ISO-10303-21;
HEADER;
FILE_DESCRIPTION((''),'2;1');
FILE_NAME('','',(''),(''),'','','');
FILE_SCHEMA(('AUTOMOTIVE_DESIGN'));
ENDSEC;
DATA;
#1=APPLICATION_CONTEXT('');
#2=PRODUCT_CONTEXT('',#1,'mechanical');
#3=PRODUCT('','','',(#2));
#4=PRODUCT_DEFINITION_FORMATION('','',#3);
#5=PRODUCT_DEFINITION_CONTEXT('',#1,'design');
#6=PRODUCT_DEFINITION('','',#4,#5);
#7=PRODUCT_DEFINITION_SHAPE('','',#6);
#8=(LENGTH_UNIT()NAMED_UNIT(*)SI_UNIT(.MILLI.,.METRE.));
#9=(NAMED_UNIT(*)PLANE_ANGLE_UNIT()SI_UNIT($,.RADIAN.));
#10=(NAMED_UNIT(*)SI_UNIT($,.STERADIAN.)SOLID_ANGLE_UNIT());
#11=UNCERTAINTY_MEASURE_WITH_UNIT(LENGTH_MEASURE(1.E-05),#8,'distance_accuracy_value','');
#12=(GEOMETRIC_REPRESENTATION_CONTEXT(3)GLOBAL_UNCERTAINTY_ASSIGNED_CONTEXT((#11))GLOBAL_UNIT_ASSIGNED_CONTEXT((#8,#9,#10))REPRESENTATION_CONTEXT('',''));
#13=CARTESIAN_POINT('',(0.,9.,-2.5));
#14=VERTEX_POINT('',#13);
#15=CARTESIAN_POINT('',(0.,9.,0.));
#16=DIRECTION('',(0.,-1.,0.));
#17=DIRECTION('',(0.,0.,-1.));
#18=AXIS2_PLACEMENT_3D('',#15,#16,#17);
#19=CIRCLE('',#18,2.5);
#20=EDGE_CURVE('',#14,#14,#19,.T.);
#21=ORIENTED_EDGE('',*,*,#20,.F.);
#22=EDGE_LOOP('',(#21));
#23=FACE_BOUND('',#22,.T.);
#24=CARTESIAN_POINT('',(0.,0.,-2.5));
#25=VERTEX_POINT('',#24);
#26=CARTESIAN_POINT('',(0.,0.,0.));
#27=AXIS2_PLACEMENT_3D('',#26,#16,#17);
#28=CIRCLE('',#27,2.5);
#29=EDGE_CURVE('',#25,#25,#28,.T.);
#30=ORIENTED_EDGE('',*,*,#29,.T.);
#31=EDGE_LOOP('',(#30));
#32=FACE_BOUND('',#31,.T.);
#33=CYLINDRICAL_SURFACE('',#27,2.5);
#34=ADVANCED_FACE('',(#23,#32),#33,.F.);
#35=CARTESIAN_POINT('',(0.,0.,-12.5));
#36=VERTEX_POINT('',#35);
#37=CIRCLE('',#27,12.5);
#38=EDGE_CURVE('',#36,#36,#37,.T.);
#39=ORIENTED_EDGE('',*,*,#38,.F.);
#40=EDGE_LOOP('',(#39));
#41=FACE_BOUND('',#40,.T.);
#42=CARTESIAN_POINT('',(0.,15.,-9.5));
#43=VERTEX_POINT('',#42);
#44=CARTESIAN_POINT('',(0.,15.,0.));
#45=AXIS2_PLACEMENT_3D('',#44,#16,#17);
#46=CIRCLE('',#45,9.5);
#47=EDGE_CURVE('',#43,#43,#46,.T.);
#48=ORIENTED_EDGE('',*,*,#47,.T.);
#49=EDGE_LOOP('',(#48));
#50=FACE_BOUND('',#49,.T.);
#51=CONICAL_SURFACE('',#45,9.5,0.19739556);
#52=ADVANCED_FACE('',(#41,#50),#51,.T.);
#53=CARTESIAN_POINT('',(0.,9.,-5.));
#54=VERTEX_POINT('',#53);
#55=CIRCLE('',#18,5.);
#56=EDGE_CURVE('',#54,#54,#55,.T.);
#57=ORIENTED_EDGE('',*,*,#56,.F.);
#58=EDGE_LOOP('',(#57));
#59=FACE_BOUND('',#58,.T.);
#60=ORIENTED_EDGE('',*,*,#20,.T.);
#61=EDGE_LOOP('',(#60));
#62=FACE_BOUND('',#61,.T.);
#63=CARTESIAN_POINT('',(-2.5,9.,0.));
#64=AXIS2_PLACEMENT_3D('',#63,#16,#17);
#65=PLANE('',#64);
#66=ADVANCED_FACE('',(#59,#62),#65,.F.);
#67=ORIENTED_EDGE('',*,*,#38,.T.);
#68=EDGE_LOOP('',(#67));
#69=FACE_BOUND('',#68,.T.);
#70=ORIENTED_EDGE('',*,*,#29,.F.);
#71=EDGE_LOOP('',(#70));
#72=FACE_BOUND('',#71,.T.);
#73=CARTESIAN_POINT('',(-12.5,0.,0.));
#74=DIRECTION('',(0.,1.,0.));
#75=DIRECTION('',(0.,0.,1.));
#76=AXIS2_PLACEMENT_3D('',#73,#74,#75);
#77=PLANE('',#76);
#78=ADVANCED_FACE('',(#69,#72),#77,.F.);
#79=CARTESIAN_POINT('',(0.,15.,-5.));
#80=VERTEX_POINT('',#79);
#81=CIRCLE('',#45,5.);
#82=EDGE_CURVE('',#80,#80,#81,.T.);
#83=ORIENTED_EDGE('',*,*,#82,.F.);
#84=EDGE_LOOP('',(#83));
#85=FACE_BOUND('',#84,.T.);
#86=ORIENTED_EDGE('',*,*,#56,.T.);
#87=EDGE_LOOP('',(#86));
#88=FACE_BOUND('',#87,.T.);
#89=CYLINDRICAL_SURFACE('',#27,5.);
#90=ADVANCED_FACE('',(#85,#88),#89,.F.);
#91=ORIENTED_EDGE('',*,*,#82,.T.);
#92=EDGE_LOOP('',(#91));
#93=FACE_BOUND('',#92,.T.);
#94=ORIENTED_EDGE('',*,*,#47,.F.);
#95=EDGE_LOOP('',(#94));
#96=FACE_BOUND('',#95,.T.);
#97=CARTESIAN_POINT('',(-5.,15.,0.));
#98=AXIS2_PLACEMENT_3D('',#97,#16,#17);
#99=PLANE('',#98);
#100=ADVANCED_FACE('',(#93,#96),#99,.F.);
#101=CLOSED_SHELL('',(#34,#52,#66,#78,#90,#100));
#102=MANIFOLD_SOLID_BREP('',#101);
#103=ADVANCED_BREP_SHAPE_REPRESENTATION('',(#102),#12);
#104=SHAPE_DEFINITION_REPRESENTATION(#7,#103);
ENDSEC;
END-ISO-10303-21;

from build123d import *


with BuildPart() as part:
    # 草图1 → 旋转1 (revolve)
    with BuildSketch(Plane.XY):
        Polygon((-9.5, 15), (-12.5, 0), (-2.5, 0), (-2.5, 9), (-5, 9), (-5, 15), align=None)
    revolve(axis=Axis((0, 0, 0), (0, 1, 0)))


solid = part.part
